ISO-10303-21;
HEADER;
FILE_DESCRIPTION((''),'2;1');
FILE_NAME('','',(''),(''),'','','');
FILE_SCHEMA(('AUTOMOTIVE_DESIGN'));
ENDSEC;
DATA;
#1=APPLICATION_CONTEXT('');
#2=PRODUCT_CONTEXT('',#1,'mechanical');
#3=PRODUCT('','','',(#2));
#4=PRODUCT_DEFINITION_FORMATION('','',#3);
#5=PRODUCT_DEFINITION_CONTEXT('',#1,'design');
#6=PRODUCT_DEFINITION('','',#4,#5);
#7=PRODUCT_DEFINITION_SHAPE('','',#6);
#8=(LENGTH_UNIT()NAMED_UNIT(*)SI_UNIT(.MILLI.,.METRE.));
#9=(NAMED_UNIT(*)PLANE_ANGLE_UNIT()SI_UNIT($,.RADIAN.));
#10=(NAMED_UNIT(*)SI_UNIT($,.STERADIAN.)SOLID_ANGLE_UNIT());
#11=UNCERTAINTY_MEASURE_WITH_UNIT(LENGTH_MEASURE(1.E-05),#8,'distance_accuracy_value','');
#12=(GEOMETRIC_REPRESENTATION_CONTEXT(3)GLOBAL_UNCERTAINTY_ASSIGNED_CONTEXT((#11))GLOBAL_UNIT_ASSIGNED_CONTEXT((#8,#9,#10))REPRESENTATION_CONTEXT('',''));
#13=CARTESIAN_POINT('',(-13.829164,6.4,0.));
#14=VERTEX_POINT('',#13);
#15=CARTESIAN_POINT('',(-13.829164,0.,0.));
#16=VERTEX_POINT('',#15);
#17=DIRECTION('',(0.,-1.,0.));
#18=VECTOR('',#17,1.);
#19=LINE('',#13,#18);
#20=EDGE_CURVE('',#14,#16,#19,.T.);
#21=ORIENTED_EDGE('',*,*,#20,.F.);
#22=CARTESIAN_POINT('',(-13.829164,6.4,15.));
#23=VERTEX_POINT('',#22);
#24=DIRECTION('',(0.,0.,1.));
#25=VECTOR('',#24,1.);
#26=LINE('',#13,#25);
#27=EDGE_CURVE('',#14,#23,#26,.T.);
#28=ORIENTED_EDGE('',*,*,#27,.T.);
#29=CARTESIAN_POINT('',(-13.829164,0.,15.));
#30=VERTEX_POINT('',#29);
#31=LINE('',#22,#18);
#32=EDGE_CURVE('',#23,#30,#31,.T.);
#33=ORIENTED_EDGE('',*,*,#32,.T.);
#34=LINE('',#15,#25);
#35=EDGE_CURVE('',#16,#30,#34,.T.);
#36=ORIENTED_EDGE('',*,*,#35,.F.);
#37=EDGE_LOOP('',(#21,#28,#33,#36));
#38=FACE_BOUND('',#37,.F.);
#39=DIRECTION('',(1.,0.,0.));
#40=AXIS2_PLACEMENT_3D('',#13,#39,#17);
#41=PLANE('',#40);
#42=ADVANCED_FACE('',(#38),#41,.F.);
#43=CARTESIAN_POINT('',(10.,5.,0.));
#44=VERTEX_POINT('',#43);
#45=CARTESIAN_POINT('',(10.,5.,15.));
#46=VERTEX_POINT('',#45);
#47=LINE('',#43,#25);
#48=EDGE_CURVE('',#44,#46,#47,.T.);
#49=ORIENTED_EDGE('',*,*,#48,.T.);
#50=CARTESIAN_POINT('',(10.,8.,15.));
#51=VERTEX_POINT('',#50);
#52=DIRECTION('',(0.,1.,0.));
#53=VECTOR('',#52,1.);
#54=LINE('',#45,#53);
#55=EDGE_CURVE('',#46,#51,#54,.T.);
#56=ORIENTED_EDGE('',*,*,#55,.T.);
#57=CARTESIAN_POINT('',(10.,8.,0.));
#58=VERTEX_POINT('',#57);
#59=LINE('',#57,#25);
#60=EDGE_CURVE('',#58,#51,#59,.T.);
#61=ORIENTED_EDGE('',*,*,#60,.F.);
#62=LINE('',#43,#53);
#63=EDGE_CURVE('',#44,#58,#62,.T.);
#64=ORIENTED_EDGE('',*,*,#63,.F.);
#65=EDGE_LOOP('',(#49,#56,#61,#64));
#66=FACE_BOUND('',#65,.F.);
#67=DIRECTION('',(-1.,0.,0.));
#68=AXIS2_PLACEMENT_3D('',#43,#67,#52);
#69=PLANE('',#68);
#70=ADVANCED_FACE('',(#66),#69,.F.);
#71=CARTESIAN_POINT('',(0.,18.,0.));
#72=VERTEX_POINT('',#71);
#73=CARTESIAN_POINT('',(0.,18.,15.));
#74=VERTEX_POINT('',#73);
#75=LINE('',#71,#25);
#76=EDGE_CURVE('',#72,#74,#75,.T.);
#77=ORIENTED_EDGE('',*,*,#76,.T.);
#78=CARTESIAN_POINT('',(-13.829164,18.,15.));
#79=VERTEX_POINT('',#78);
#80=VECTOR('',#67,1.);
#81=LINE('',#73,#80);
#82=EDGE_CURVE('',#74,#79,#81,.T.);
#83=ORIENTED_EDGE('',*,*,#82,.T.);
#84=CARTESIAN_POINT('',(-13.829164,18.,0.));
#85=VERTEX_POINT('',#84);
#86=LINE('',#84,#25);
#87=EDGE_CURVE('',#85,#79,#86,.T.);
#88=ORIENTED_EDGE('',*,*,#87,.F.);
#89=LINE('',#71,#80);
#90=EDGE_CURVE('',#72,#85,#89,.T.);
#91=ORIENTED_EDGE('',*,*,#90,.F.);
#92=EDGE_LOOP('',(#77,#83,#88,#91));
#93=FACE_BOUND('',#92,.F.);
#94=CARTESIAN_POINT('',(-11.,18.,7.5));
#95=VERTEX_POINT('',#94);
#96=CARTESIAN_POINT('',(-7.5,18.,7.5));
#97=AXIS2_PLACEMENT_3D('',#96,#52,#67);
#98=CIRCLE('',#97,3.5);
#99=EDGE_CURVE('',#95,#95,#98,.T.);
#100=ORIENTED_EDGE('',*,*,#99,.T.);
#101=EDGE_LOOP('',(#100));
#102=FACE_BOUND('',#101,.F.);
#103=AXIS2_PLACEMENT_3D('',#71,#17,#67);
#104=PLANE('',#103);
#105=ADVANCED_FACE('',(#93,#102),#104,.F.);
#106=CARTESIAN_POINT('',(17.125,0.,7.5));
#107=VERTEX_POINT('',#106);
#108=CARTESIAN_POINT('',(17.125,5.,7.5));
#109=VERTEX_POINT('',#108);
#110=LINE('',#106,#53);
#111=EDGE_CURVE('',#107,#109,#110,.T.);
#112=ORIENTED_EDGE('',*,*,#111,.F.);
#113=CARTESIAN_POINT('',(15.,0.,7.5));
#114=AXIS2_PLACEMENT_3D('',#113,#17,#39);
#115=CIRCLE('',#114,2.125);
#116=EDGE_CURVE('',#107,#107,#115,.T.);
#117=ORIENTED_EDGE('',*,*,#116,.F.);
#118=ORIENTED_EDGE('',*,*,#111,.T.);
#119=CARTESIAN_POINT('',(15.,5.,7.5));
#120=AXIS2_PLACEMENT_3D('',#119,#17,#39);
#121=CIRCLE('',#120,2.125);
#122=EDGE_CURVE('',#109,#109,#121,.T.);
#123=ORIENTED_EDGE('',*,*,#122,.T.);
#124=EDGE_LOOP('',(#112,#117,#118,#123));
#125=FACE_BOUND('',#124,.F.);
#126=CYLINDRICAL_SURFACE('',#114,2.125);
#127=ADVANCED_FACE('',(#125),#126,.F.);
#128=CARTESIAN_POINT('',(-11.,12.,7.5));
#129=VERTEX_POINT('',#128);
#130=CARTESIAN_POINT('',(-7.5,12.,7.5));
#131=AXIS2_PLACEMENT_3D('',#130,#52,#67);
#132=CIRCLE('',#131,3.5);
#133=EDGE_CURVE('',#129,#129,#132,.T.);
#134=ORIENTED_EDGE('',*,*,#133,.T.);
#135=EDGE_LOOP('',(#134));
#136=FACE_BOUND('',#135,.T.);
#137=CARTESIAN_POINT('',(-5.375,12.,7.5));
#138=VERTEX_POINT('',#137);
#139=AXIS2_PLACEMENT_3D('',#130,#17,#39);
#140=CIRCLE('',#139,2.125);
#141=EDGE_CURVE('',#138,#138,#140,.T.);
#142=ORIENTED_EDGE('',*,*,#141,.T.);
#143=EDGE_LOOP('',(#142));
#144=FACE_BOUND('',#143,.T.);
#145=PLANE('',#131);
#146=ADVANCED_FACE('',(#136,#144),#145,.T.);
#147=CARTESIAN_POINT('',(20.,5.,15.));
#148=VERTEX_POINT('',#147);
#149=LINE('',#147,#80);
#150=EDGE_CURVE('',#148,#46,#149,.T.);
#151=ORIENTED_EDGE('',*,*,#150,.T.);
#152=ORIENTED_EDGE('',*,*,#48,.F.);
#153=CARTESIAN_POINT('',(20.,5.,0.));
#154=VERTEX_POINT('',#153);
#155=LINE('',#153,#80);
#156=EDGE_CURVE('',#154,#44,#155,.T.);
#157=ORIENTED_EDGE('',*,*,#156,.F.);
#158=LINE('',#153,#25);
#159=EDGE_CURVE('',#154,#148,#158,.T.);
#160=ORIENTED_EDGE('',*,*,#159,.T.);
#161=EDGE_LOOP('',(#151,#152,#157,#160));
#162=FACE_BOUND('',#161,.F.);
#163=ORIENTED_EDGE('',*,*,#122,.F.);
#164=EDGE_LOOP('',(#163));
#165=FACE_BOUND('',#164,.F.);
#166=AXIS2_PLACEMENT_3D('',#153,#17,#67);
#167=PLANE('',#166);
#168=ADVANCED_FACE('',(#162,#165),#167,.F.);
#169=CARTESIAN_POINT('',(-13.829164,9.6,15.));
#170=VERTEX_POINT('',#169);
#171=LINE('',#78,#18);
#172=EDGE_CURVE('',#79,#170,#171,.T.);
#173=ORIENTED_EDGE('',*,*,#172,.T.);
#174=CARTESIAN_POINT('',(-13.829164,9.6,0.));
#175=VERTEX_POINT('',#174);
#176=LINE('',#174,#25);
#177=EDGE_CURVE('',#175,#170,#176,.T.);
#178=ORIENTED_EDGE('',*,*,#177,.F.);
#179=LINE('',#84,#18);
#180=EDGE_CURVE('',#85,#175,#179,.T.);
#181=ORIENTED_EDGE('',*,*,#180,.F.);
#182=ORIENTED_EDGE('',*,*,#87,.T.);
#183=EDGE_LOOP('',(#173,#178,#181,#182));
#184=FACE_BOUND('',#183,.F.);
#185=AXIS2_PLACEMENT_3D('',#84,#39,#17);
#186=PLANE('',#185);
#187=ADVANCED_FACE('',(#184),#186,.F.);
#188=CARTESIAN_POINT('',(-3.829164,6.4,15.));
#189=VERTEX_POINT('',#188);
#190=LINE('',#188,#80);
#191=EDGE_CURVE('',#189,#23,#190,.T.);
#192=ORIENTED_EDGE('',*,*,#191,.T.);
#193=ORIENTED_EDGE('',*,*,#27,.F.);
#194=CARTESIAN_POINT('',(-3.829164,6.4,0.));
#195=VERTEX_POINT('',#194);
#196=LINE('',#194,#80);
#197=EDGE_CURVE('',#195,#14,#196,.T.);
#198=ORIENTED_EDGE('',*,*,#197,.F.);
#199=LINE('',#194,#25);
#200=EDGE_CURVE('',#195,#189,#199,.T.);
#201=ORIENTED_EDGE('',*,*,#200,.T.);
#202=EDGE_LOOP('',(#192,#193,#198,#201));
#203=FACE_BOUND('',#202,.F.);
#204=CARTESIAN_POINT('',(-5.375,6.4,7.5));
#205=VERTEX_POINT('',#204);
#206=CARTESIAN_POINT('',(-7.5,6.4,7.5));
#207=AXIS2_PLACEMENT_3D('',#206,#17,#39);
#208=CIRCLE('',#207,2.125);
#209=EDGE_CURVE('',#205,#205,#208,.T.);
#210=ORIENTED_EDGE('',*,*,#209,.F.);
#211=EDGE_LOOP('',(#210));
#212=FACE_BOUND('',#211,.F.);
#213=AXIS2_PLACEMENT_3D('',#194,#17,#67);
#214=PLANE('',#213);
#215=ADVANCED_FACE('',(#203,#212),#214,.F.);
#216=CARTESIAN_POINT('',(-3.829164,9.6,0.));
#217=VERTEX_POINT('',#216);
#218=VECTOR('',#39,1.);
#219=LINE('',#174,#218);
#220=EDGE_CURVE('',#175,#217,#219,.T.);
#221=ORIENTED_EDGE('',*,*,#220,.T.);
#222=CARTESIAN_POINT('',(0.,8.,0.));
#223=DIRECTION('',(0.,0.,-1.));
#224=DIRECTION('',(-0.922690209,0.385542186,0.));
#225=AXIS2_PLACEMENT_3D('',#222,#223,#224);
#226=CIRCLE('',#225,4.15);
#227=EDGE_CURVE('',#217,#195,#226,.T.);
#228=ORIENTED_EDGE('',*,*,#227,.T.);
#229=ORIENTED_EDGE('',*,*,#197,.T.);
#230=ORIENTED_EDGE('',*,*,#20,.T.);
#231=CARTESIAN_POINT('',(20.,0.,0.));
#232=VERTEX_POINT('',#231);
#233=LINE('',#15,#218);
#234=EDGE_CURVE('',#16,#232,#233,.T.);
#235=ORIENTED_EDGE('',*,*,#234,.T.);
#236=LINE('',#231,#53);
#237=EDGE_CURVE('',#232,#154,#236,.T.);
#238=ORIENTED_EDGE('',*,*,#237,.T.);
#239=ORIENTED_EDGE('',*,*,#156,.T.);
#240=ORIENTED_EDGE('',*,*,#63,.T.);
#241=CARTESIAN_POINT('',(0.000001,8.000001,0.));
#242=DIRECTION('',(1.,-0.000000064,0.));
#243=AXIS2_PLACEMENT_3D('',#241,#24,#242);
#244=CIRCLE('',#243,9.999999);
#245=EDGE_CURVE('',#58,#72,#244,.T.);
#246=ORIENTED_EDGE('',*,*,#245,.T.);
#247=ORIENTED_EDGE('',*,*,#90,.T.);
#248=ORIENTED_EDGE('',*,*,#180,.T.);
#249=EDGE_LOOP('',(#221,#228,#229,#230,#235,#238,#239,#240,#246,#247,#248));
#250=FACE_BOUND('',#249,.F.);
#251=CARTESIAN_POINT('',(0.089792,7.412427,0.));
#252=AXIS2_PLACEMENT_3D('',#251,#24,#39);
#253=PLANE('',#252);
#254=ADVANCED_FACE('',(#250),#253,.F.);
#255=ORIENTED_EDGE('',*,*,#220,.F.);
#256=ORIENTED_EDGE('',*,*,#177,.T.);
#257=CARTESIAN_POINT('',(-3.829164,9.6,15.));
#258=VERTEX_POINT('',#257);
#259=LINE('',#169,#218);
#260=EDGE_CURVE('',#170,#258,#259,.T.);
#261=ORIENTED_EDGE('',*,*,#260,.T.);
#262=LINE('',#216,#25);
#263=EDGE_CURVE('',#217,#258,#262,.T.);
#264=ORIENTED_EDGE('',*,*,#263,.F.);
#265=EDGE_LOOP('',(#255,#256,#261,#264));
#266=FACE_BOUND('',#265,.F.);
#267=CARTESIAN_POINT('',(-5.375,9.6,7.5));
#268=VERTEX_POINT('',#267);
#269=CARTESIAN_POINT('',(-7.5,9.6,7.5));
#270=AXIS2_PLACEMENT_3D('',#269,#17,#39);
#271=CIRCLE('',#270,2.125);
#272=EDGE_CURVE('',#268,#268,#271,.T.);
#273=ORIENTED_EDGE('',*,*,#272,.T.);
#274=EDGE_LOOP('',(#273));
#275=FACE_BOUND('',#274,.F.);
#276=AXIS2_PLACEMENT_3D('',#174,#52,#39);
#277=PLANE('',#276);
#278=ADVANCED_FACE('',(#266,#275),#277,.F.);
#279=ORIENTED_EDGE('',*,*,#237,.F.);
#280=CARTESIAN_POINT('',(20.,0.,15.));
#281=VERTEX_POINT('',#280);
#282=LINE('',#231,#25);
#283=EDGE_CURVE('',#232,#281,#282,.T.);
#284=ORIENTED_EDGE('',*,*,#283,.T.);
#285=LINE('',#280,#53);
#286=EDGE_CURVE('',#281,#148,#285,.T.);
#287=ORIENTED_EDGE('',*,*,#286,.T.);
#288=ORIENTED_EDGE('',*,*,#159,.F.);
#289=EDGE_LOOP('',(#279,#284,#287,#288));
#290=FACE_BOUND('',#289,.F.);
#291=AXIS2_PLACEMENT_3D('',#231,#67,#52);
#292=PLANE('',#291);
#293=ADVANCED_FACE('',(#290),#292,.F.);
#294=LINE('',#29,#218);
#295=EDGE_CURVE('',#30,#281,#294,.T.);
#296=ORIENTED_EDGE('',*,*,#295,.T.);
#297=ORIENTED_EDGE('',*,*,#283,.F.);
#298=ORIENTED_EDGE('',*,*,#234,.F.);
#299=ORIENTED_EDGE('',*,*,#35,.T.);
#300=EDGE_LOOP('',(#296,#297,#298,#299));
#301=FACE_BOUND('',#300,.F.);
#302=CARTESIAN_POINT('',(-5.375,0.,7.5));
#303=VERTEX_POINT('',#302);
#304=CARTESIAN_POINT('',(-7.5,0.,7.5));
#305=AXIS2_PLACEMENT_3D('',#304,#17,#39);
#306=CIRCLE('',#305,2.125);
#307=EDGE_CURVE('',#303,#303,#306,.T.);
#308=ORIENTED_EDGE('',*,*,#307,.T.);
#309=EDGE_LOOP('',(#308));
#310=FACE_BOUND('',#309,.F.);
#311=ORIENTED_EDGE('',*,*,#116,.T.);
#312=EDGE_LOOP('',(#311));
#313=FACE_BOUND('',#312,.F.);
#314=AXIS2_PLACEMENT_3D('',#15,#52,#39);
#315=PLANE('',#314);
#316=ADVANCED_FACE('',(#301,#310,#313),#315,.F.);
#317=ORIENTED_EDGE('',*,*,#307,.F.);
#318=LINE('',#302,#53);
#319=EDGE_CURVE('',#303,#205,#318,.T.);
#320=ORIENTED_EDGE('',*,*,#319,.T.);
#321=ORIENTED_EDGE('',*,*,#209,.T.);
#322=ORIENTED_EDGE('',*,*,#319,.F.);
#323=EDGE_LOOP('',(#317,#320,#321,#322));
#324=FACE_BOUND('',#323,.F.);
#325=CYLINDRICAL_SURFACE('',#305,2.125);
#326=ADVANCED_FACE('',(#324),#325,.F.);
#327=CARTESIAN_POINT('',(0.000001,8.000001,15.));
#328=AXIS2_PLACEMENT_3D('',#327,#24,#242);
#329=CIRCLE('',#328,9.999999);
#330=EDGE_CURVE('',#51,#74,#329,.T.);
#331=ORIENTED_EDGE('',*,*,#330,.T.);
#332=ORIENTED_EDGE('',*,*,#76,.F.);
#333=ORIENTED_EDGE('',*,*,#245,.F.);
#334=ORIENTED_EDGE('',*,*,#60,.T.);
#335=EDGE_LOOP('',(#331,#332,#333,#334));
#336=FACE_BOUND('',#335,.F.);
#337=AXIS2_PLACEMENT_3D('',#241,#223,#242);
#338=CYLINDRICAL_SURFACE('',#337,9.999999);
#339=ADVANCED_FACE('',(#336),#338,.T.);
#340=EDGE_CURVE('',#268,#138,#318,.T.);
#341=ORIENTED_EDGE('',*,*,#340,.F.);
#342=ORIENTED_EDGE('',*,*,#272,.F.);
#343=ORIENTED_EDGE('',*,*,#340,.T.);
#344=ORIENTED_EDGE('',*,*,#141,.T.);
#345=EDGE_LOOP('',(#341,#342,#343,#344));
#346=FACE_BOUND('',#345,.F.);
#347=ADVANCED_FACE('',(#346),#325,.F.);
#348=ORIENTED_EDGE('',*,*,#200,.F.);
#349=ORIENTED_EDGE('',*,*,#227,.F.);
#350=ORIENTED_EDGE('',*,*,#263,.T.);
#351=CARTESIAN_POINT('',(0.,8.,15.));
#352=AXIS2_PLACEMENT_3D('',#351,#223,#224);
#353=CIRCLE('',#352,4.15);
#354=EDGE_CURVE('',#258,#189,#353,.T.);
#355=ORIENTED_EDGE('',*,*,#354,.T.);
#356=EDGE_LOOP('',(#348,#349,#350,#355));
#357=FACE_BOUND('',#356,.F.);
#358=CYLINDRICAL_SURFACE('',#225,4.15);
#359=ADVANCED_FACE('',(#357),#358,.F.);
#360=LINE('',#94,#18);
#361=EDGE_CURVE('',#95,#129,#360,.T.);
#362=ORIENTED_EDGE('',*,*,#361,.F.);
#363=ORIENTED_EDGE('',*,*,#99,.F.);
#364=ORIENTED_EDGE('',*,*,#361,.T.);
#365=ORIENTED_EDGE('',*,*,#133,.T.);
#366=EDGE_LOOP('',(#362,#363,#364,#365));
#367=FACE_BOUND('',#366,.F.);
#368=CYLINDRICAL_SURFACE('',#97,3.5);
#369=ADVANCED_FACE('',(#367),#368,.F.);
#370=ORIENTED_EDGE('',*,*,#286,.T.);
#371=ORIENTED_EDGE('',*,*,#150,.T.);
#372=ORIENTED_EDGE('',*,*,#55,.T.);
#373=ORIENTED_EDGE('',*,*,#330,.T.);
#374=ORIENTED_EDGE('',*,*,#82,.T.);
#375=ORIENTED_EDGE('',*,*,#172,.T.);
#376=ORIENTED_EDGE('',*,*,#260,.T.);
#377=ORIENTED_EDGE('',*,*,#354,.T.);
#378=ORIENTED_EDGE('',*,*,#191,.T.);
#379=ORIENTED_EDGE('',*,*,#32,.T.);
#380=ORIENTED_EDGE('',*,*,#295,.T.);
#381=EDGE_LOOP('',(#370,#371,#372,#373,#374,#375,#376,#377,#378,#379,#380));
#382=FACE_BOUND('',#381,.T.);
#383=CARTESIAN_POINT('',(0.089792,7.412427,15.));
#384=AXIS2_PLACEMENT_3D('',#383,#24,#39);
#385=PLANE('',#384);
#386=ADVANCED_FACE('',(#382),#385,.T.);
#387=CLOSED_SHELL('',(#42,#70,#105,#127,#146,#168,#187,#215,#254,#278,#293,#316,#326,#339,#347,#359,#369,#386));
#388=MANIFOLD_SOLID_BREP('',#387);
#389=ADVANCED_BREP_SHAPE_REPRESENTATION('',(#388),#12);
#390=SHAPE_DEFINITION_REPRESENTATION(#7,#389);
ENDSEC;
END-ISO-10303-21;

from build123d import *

# Parameters (mm, degrees)
F1_DEPTH = 15
F2_R     = 2.125
F3_DEPTH = 18.001
F4_R     = 3.5
F5_DEPTH = 6


with BuildPart() as f1:
    # F0 (on Top) → F1 (new body)
    with BuildSketch(Plane.XY):
        with BuildLine():
            Line((-13.829164, 6.4), (-13.829164, 0))
            Line((-13.829164, 0), (20, 0))
            Line((20, 0), (20, 5))
            Line((20, 5), (10, 5))
            Line((10, 5), (10, 8))
            ThreePointArc((10, 8), (7.071068, 15.071068), (0, 18))
            Line((0, 18), (-13.829164, 18))
            Line((-13.829164, 18), (-13.829164, 9.6))
            Line((-13.829164, 9.6), (-3.829164, 9.6))
            ThreePointArc((-3.829164, 9.6), (4.15, 8), (-3.829164, 6.4))
            Line((-3.829164, 6.4), (-13.829164, 6.4))
        make_face()
    extrude(amount=F1_DEPTH)

    # F2 (on face) → F3 (cut, through all)
    with BuildSketch(Plane.XZ):
        with Locations((-7.5, 7.5)):
            Circle(F2_R)
        with Locations((15, 7.5)):
            Circle(F2_R)
    extrude(amount=-F3_DEPTH, mode=Mode.SUBTRACT)

    # F4 (on face) → F5 (cut)
    with BuildSketch(Plane(origin=(0, 18, 0), x_dir=(-1, 0, 0), z_dir=(0, 1, 0))):
        with Locations((7.5, 7.5)):
            Circle(F4_R)
    extrude(amount=-F5_DEPTH, mode=Mode.SUBTRACT)


solid = f1.part
